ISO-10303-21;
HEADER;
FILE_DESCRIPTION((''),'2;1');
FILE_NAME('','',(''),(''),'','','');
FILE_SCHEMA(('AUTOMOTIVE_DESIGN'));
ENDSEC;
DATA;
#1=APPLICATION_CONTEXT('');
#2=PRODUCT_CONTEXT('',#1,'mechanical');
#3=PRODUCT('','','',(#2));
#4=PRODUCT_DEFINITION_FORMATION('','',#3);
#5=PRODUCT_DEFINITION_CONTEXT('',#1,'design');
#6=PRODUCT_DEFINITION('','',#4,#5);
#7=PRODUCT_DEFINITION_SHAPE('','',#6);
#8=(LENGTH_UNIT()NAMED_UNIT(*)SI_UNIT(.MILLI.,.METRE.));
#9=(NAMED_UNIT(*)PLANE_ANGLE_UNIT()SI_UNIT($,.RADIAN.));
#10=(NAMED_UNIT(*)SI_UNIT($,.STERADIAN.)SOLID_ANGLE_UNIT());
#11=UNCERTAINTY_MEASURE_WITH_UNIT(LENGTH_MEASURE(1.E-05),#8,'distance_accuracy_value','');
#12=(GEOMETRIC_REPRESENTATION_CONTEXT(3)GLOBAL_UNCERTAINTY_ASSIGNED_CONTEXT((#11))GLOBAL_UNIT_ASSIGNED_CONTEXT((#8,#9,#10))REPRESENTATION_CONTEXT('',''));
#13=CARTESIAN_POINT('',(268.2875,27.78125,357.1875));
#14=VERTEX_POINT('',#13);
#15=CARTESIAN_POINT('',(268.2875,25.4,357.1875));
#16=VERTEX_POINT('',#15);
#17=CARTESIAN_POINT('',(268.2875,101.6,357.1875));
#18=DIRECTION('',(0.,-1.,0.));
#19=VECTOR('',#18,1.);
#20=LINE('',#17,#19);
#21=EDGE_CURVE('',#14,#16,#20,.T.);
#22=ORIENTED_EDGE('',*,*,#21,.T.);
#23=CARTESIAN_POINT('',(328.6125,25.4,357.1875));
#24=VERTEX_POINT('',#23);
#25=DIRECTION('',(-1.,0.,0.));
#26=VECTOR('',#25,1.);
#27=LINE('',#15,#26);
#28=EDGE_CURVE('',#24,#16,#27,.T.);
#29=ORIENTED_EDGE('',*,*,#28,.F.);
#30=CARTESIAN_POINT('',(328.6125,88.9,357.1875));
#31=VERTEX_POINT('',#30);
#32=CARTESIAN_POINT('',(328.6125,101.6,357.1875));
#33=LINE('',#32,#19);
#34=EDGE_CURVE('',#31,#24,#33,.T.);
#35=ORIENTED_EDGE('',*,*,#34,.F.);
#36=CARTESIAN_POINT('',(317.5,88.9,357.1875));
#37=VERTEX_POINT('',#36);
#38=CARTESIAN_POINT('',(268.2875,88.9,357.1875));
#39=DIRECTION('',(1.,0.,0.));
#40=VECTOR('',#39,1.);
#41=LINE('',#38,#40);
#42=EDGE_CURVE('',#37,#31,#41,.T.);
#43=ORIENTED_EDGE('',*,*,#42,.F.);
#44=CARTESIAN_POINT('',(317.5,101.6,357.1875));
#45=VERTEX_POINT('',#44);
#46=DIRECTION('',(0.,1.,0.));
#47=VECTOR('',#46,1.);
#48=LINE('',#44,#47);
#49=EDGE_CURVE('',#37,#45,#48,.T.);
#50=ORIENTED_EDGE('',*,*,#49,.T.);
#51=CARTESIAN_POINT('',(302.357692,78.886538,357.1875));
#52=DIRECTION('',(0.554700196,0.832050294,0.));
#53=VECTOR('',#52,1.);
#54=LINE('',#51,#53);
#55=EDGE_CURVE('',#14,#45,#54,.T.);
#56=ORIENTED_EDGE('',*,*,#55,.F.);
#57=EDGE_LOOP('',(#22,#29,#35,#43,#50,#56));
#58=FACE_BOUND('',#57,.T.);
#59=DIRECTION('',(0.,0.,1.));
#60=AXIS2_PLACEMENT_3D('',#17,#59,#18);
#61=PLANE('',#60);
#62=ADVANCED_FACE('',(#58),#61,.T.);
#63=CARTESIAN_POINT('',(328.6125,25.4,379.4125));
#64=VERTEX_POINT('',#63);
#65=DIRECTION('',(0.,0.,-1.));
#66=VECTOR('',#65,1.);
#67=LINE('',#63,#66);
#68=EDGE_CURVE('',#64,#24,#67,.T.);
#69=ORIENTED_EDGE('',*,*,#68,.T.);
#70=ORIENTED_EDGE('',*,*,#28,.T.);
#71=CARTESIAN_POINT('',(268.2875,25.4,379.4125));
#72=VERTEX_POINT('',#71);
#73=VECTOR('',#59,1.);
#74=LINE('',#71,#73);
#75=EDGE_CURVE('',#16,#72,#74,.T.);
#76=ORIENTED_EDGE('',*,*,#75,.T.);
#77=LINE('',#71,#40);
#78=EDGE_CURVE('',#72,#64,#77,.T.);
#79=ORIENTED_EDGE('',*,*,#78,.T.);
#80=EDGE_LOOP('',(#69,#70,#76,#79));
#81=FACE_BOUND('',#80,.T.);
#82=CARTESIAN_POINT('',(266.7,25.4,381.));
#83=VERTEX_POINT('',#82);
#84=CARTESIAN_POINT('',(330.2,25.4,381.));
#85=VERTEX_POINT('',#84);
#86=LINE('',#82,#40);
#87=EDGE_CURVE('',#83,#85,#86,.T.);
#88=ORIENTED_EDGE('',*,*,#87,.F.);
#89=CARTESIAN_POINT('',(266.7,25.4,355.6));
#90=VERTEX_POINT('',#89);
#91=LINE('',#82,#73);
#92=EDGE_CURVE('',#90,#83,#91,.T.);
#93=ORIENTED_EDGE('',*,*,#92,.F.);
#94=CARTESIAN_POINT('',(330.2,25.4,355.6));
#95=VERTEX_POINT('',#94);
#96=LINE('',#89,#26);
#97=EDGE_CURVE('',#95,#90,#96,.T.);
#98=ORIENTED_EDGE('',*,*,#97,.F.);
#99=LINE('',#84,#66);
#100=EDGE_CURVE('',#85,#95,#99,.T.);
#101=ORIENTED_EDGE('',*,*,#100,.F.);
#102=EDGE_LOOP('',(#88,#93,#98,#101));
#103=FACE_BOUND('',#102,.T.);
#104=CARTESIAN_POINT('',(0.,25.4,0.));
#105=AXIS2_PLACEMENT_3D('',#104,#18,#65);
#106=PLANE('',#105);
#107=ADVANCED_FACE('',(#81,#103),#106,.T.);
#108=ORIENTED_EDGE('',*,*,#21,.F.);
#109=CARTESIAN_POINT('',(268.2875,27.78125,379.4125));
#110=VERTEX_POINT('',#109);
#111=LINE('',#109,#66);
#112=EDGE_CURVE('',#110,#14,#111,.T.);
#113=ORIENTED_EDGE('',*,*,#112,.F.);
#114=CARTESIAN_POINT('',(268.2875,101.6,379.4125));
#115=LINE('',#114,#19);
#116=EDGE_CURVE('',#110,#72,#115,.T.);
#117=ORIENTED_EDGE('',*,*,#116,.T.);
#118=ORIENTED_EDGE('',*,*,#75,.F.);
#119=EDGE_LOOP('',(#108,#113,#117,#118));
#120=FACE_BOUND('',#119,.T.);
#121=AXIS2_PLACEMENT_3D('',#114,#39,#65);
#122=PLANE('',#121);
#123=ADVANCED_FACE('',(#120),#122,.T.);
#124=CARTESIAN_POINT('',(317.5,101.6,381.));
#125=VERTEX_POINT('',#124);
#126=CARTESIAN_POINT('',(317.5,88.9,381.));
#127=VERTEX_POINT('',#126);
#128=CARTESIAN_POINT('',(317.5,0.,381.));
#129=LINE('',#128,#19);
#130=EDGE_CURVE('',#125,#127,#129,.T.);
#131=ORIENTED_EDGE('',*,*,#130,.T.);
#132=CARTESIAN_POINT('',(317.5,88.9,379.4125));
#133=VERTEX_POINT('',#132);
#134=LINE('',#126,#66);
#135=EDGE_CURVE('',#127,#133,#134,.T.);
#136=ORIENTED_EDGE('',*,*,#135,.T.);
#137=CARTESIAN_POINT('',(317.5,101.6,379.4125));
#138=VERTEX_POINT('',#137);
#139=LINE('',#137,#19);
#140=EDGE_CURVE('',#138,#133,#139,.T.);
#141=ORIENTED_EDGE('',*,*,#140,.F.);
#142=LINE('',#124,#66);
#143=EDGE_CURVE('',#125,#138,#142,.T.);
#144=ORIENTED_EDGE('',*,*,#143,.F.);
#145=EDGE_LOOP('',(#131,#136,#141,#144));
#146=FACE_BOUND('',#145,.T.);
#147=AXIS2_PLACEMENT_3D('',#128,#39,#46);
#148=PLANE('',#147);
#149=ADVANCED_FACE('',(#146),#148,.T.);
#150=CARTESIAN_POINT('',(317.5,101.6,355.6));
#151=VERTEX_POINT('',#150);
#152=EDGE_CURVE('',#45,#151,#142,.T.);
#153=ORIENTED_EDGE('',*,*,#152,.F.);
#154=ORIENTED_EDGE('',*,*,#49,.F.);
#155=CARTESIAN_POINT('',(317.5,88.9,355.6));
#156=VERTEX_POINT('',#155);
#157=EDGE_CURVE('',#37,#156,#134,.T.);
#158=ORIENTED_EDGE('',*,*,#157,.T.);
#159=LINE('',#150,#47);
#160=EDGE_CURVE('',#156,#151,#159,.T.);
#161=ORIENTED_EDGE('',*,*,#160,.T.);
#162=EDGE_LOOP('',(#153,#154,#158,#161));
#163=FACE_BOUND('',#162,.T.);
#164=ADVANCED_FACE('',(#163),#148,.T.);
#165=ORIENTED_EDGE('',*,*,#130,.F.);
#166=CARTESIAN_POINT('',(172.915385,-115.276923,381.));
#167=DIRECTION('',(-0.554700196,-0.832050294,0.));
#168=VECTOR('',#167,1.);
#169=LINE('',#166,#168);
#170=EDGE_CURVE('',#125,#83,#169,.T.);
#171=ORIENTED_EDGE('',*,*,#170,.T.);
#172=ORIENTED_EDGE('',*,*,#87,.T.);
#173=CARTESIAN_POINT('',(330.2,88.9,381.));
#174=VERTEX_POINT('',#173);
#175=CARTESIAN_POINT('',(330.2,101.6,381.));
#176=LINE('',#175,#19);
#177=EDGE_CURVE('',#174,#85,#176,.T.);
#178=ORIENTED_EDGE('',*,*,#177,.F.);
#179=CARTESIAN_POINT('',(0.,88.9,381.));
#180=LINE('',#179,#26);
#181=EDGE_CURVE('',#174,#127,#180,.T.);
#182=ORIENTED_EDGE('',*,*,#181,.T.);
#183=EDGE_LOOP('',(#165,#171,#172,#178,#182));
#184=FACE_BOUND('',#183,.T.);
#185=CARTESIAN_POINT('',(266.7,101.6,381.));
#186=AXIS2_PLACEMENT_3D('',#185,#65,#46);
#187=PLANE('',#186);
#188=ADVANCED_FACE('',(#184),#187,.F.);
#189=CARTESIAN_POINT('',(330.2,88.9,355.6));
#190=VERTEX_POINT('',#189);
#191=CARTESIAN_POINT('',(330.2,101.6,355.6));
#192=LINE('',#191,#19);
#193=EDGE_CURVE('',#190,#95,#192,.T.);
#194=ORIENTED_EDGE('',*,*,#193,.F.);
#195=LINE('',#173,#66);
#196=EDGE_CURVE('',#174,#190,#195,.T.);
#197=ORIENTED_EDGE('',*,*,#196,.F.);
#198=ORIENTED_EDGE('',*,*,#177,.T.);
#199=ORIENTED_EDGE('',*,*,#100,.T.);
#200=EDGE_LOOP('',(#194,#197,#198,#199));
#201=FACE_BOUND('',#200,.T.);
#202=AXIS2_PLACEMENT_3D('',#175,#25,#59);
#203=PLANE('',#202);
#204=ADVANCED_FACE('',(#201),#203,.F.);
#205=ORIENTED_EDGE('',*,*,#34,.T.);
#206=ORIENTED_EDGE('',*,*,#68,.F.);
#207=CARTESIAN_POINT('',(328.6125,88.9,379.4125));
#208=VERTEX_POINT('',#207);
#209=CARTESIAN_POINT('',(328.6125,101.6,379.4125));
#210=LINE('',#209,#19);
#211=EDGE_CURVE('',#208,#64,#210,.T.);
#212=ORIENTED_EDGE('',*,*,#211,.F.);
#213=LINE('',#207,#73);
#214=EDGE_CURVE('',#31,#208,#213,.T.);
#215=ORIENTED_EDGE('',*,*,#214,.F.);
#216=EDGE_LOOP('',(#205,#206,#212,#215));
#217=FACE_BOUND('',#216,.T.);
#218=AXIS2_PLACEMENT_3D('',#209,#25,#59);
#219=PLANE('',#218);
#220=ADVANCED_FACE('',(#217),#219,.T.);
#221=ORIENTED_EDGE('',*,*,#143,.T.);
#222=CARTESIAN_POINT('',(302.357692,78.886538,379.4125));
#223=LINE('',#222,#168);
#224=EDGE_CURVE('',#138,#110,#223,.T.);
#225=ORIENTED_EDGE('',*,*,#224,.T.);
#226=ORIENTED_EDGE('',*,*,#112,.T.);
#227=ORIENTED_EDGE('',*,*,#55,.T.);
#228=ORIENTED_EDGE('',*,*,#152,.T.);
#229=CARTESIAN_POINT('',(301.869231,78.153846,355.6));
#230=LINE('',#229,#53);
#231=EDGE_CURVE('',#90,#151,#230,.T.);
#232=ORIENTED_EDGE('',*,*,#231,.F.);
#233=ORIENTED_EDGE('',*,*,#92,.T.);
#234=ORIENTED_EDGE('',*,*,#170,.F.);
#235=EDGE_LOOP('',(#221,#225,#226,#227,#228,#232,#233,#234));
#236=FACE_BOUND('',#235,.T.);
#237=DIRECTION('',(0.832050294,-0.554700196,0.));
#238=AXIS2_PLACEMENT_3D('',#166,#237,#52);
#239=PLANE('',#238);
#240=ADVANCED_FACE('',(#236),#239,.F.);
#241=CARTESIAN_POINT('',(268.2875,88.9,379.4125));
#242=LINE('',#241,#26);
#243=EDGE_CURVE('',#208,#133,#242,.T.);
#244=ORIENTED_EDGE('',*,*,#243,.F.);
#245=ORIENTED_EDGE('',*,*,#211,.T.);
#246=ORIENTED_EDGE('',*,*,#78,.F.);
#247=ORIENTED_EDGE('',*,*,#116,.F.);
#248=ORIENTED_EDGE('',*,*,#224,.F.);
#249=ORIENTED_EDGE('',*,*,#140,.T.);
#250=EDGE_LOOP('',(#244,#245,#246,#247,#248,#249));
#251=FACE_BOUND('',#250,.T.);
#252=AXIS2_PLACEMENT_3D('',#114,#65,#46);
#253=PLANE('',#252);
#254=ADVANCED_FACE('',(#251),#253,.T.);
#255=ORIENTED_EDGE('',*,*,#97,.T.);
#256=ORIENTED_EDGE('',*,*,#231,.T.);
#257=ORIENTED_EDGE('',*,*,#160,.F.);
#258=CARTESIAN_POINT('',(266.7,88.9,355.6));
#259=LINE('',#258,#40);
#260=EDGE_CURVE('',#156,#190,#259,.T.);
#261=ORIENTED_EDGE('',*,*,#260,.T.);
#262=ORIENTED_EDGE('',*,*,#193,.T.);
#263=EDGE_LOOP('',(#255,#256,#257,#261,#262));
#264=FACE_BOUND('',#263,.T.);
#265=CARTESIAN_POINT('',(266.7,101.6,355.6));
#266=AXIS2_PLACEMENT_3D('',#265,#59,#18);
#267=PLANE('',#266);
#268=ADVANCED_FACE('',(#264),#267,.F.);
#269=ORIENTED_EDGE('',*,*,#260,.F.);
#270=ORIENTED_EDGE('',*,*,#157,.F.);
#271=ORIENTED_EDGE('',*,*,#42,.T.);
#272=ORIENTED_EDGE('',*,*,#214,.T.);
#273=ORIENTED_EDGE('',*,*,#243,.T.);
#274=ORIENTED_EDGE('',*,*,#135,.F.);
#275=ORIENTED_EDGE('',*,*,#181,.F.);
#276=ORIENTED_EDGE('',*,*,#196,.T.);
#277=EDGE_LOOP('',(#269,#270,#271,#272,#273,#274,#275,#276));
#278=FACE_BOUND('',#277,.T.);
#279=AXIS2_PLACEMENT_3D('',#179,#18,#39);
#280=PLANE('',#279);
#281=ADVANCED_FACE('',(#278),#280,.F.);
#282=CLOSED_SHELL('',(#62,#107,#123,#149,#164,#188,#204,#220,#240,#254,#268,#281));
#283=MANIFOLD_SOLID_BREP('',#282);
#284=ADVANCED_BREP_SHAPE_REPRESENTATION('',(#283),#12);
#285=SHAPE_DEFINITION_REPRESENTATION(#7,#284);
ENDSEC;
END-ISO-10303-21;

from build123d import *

# Parameters (mm, degrees)
SKETCH1_W           = 63.5
SKETCH1_H           = 25.4
SKETCH1_W_2         = 60.325
SKETCH1_H_2         = 22.225
BOSS_EXTRUDE1_DEPTH = 76.2
SKETCH2_W           = 12.7
SKETCH2_H           = 12.7
CUT_EXTRUDE1_DEPTH  = 515.310800975


with BuildPart() as part:
    # Sketch1 → Boss-Extrude1 (new body)
    with BuildSketch(Plane(origin=(0, 25.4, 0), x_dir=(1, 0, 0), z_dir=(0, 1, 0))):
        with Locations((298.45, -368.3)):
            Rectangle(SKETCH1_W, SKETCH1_H)
        with Locations((298.45, -368.3)):
            Rectangle(SKETCH1_W_2, SKETCH1_H_2, mode=Mode.SUBTRACT)
    extrude(amount=BOSS_EXTRUDE1_DEPTH)

    # Sketch2 → Cut-Extrude1 (cut, through all)
    with BuildSketch(Plane.XY):
        Polygon((266.7, 101.6), (317.5, 101.6), (266.7, 25.4), align=None)
        with Locations((323.85, 95.25)):
            Rectangle(SKETCH2_W, SKETCH2_H)
    extrude(amount=CUT_EXTRUDE1_DEPTH, mode=Mode.SUBTRACT)


solid = part.part
